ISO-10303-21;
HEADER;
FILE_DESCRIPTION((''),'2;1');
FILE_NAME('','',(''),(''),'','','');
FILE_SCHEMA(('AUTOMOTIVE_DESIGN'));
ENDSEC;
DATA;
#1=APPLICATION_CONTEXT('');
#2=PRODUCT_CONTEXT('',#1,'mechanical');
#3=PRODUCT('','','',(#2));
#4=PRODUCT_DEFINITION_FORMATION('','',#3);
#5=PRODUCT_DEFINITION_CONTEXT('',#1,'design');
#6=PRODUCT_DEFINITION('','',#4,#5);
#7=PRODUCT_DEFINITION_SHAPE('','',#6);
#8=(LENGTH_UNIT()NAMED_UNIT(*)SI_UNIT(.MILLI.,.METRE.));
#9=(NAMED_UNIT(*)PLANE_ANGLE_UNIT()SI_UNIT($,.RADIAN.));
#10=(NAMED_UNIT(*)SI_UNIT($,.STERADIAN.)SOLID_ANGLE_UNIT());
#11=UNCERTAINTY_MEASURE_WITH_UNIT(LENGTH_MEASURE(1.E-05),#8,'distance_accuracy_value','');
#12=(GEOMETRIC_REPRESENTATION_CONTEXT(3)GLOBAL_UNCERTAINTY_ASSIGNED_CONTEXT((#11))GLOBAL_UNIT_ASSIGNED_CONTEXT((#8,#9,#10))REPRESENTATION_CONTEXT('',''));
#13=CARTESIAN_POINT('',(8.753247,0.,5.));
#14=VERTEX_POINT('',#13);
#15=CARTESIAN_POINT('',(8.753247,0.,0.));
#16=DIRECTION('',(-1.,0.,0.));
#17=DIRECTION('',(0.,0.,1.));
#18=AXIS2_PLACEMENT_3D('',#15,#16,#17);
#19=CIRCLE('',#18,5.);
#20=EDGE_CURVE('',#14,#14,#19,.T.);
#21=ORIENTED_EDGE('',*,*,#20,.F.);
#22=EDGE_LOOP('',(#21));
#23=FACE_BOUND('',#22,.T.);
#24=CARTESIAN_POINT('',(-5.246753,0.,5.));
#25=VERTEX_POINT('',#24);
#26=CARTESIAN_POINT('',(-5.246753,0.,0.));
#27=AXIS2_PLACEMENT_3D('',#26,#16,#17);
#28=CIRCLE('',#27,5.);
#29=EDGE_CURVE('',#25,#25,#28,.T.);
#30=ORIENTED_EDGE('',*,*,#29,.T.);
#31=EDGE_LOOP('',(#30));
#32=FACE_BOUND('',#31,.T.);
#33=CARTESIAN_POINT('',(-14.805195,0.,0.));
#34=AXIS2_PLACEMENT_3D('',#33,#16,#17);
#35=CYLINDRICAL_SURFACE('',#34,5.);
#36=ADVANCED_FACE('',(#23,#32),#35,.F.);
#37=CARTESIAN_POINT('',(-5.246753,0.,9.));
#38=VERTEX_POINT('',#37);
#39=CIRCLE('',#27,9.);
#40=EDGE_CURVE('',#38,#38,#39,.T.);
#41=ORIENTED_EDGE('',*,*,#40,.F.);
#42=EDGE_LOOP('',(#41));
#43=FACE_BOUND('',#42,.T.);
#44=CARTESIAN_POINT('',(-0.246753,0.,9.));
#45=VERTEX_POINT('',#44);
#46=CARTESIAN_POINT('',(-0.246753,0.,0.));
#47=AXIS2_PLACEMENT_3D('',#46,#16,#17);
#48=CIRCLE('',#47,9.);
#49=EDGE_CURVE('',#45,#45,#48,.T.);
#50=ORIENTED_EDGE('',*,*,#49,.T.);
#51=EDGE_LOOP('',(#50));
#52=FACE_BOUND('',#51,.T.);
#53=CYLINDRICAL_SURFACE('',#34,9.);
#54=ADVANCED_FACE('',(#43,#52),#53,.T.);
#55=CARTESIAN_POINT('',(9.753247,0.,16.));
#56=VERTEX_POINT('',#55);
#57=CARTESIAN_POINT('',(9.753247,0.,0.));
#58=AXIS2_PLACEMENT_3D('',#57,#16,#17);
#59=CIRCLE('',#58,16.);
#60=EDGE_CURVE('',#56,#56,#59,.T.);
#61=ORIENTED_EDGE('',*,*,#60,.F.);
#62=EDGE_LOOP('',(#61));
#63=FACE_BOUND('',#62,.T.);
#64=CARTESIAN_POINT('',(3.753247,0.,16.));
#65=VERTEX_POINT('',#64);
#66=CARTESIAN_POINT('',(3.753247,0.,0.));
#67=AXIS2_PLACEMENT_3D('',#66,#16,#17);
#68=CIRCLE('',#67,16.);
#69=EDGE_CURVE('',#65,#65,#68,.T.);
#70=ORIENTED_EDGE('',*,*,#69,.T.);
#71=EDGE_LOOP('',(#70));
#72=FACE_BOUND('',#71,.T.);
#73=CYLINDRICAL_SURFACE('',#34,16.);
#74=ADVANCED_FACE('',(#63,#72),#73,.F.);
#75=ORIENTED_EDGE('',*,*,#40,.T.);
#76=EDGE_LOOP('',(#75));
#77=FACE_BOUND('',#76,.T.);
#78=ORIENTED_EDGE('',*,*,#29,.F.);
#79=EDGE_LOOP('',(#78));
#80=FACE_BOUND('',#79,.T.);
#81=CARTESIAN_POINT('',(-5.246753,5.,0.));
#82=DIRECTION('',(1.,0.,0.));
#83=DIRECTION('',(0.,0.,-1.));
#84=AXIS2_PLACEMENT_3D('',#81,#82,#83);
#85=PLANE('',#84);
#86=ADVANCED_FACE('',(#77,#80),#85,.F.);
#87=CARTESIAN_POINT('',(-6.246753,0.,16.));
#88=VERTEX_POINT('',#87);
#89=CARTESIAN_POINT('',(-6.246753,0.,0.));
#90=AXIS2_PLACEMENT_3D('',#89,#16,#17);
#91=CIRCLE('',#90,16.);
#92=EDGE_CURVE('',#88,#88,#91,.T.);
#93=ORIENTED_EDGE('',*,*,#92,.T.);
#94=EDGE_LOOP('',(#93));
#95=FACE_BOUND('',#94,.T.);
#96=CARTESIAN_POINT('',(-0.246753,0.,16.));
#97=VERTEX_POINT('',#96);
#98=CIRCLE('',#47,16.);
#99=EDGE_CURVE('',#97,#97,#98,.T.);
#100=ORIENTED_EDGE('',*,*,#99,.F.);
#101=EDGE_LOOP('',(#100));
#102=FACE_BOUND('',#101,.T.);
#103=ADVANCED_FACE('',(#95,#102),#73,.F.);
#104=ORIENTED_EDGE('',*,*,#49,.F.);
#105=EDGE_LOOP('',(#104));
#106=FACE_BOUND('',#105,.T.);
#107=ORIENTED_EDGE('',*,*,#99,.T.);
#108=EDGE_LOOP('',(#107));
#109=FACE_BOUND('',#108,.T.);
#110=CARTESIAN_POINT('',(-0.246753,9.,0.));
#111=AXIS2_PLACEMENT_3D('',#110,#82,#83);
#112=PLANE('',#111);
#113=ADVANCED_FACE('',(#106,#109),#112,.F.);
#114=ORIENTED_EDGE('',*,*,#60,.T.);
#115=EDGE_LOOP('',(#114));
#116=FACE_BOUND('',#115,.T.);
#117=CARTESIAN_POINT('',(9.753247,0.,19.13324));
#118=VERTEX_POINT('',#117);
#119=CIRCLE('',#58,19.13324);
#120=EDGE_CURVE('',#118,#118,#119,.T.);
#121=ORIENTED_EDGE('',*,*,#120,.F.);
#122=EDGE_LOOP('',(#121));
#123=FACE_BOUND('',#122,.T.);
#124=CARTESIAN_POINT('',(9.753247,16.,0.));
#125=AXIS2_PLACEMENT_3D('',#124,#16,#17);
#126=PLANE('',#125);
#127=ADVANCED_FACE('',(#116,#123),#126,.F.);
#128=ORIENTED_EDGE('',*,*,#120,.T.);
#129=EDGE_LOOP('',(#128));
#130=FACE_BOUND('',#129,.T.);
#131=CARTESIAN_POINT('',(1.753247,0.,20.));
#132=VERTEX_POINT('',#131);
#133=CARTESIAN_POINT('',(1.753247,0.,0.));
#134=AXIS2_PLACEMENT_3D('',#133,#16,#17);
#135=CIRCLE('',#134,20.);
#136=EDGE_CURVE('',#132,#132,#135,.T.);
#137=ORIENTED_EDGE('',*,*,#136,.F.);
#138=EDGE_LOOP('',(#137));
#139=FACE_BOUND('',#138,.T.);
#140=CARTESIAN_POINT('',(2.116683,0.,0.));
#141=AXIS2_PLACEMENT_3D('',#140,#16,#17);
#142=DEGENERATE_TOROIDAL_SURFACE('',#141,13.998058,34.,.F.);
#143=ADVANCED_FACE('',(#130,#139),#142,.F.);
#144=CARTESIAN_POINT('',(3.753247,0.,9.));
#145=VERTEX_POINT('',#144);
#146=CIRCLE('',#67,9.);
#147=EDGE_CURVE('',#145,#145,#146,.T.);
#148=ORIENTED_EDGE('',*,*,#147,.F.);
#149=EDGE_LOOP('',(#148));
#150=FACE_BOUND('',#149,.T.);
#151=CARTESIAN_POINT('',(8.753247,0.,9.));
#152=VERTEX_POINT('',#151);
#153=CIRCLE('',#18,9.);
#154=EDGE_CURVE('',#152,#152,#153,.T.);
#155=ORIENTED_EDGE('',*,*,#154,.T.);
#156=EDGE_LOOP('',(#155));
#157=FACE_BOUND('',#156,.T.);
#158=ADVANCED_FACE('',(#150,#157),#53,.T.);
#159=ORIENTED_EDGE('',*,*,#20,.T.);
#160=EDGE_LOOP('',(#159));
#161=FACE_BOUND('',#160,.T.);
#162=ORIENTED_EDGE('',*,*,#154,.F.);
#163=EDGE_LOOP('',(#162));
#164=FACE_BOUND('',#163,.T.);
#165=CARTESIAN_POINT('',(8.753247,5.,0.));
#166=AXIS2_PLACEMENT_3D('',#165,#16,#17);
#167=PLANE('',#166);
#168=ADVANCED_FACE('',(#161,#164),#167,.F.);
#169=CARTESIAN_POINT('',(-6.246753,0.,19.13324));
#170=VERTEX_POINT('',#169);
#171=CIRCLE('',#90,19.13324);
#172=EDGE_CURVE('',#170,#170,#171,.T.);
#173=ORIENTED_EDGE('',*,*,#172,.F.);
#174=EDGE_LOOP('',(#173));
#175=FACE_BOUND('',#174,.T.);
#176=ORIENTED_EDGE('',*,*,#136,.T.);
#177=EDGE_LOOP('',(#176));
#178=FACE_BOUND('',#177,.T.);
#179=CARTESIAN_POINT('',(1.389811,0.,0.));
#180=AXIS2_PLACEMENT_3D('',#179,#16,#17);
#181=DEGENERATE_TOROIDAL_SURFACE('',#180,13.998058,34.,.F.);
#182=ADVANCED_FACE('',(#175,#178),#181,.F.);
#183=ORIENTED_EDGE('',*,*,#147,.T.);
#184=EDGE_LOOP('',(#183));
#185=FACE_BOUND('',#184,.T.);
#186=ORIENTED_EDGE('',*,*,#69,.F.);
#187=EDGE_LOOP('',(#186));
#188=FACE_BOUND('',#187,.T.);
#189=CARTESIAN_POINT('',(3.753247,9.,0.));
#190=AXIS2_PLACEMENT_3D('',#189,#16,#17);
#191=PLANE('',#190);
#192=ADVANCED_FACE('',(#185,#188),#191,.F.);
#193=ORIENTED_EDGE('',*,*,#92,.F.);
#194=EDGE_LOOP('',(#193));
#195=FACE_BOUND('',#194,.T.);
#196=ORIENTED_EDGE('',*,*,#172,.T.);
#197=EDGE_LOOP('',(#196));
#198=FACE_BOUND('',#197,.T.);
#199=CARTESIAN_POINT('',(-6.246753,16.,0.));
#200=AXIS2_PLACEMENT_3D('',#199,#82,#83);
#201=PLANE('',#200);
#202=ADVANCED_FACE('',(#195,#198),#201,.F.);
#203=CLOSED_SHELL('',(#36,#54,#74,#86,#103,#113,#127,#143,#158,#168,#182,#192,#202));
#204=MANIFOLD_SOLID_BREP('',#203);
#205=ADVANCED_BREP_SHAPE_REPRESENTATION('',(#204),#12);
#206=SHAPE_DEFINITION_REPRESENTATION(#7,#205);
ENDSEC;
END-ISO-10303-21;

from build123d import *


with BuildPart() as part:
    # 草图1 → 旋转1 (revolve)
    with BuildSketch(Plane.XY, mode=Mode.PRIVATE) as revolve_1_sk:
        with BuildLine():
            Line((-5.246753247, 5), (8.753246753, 5))
            Line((8.753246753, 5), (8.753246753, 9))
            Line((8.753246753, 9), (3.753246753, 9))
            Line((3.753246753, 9), (3.753246753, 16))
            Line((3.753246753, 16), (9.753246753, 16))
            Line((9.753246753, 16), (9.753246753, 19.133240235))
            ThreePointArc((9.753246753, 19.133240235), (5.77897928, 19.804125618), (1.753246753, 20))
            ThreePointArc((1.753246753, 20), (-2.272485773, 19.804125618), (-6.246753247, 19.133240235))
            Line((-6.246753247, 19.133240235), (-6.246753247, 16))
            Line((-6.246753247, 16), (-0.246753247, 16))
            Line((-0.246753247, 16), (-0.246753247, 9))
            Line((-0.246753247, 9), (-5.246753247, 9))
            Line((-5.246753247, 9), (-5.246753247, 5))
        make_face()
    revolve(revolve_1_sk.sketch.rotate(Axis((-14.805194805, 0, 0), (1, 0, 0)), 90), axis=Axis((-14.805194805, 0, 0), (1, 0, 0)))


solid = part.part
